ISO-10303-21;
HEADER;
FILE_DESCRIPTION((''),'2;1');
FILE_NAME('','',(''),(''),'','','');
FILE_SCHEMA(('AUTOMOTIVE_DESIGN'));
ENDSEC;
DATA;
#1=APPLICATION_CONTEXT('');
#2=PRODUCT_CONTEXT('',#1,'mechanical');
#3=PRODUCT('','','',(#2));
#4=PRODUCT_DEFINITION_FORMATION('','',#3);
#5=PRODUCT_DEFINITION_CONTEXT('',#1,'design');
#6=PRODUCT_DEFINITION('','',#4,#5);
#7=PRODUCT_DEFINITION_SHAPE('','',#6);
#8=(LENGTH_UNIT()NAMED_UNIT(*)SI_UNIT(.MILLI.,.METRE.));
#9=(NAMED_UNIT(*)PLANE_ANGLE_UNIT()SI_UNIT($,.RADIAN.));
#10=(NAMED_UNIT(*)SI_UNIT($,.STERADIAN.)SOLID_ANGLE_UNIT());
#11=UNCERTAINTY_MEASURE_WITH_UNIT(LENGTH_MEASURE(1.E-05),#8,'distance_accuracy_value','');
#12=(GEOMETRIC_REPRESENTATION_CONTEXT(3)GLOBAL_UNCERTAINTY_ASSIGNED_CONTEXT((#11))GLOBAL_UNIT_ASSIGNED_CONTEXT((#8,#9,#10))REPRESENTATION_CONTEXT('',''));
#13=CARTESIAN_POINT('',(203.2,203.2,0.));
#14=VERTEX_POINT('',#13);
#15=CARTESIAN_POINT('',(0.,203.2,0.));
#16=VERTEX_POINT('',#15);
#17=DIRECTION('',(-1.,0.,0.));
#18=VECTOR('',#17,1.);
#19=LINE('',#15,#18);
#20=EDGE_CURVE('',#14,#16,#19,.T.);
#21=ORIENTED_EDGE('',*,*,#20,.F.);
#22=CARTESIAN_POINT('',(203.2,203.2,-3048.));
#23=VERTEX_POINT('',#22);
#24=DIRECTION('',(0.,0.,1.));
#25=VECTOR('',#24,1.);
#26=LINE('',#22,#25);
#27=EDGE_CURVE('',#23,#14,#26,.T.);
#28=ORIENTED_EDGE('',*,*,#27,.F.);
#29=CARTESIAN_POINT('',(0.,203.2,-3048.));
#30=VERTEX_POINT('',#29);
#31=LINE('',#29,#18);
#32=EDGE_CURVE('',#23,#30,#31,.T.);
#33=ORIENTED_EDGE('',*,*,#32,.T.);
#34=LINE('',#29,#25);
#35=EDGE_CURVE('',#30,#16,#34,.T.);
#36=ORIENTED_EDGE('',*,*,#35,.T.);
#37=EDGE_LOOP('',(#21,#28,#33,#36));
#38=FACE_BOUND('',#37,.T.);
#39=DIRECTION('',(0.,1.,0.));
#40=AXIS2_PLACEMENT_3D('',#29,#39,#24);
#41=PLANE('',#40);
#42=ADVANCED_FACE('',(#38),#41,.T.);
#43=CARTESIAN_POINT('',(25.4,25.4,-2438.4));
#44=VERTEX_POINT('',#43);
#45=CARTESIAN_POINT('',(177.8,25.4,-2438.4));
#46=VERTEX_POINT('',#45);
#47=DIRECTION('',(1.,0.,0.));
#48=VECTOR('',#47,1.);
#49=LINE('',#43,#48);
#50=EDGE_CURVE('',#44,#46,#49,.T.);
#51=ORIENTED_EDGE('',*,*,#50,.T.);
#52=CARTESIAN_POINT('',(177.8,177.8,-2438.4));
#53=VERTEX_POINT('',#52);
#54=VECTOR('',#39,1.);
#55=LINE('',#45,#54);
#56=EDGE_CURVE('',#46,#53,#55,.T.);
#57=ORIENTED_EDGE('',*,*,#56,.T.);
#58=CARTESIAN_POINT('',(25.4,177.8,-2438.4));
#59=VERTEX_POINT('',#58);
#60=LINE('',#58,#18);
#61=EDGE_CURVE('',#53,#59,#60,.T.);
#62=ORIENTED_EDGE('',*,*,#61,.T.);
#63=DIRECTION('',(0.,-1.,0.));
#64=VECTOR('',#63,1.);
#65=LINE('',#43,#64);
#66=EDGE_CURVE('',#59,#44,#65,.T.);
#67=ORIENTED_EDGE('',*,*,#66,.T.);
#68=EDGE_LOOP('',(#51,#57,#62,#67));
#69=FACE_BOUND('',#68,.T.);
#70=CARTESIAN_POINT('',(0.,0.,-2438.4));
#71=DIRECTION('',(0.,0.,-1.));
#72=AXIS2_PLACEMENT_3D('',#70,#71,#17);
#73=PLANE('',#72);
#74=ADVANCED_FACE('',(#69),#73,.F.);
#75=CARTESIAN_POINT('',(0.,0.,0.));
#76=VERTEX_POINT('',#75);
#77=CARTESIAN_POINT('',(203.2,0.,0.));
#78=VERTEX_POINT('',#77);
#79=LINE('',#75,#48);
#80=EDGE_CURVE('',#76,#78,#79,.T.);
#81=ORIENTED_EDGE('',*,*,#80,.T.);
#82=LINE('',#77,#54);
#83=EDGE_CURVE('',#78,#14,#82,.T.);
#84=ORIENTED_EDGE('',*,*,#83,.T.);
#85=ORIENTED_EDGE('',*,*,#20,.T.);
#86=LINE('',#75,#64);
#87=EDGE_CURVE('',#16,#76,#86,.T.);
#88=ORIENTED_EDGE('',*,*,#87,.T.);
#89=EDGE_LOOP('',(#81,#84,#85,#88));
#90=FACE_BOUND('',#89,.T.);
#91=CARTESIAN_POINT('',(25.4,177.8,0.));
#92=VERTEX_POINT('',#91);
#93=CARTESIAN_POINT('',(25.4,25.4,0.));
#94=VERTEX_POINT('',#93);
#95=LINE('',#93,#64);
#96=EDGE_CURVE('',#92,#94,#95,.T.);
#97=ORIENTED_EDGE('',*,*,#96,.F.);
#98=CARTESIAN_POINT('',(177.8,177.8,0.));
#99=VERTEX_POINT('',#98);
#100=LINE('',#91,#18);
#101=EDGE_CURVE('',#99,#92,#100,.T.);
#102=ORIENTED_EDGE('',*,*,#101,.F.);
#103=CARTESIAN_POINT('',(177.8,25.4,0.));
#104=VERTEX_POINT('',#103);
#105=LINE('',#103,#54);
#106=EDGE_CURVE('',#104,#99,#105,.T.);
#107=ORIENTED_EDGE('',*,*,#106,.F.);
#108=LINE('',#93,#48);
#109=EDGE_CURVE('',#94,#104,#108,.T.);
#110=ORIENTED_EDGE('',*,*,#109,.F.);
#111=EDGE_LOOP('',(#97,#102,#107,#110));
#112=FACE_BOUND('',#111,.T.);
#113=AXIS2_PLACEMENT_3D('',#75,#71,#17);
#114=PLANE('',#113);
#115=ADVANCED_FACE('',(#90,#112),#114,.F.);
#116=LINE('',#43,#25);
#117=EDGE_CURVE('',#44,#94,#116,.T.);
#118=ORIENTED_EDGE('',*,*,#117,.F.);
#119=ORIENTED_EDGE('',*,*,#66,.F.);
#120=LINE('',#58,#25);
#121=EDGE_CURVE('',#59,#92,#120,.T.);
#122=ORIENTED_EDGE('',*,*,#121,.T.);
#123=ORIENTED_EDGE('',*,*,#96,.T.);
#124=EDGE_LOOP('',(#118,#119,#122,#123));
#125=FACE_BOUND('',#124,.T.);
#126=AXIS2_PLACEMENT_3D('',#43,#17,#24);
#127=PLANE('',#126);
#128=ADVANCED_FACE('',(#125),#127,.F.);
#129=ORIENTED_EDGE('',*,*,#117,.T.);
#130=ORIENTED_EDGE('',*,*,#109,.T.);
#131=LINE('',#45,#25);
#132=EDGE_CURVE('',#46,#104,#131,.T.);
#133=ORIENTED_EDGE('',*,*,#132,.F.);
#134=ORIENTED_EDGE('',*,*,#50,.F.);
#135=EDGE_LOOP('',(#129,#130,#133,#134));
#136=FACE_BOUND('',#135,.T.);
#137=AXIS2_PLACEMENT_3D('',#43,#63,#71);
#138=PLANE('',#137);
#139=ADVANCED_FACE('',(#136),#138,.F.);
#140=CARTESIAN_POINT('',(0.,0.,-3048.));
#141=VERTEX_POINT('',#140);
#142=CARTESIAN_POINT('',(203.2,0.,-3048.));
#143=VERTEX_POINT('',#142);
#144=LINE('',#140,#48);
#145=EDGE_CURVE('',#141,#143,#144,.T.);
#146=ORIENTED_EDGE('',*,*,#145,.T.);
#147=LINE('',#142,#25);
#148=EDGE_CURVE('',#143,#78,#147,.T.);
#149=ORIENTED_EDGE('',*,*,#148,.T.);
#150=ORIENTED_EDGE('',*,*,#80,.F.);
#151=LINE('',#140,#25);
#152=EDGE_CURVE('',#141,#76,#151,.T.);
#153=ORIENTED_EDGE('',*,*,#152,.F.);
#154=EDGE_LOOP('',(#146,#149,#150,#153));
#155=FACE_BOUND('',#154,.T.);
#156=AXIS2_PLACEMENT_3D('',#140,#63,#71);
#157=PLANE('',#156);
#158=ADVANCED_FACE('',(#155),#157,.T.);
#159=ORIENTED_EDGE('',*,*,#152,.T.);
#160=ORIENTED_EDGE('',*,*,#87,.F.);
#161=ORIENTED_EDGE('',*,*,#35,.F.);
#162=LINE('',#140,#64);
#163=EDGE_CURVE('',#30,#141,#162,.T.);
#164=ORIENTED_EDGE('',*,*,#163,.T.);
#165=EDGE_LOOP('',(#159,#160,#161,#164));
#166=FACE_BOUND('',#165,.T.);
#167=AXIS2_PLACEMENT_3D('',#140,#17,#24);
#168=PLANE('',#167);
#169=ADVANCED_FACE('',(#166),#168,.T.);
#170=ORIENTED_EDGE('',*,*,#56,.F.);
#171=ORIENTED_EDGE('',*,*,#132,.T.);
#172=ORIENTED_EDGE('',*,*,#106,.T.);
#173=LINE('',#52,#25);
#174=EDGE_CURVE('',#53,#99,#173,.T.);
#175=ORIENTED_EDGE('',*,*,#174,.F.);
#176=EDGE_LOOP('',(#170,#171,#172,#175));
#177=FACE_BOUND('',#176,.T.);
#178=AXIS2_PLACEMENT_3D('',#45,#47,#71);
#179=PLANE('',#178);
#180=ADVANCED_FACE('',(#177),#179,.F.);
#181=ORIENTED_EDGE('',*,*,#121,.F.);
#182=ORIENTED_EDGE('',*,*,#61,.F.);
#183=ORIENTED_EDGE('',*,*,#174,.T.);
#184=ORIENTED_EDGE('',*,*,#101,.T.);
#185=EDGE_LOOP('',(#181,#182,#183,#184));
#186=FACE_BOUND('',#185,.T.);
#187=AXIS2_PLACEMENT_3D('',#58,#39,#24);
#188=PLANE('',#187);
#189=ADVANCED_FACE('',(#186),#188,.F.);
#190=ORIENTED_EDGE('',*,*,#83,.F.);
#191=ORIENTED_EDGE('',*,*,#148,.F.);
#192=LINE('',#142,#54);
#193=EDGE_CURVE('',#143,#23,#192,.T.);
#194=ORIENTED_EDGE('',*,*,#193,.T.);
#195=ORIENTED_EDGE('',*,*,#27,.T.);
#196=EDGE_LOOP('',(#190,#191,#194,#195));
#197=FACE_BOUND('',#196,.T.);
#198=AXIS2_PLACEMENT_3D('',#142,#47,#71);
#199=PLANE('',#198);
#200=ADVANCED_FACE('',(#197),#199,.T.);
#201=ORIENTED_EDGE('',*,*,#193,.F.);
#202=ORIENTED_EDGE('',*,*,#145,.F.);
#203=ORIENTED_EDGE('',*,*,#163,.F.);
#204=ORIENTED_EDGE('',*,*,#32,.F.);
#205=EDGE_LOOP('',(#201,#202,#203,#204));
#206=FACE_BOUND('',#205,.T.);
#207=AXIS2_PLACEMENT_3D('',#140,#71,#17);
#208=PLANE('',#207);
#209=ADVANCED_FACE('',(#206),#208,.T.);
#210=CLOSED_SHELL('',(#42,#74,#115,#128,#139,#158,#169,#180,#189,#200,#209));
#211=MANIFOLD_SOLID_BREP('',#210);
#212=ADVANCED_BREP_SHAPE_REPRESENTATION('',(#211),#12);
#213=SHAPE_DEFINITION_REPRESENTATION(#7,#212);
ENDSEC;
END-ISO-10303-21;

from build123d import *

# Parameters (mm, degrees)
SKETCH1_W           = 203.2
SKETCH1_H           = 203.2
BOSS_EXTRUDE1_DEPTH = 3048
SKETCH3_W           = 152.4
SKETCH3_H           = 152.4
CUT_EXTRUDE1_DEPTH  = 2438.4


with BuildPart() as part:
    # Sketch1 → Boss-Extrude1 (new body)
    with BuildSketch(Plane.XY):
        with Locations((101.6, 101.6)):
            Rectangle(SKETCH1_W, SKETCH1_H)
    extrude(amount=-BOSS_EXTRUDE1_DEPTH)

    # Sketch3 → Cut-Extrude1 (cut)
    with BuildSketch(Plane.XY):
        with Locations((101.6, 101.6)):
            Rectangle(SKETCH3_W, SKETCH3_H)
    extrude(amount=-CUT_EXTRUDE1_DEPTH, mode=Mode.SUBTRACT)


solid = part.part
